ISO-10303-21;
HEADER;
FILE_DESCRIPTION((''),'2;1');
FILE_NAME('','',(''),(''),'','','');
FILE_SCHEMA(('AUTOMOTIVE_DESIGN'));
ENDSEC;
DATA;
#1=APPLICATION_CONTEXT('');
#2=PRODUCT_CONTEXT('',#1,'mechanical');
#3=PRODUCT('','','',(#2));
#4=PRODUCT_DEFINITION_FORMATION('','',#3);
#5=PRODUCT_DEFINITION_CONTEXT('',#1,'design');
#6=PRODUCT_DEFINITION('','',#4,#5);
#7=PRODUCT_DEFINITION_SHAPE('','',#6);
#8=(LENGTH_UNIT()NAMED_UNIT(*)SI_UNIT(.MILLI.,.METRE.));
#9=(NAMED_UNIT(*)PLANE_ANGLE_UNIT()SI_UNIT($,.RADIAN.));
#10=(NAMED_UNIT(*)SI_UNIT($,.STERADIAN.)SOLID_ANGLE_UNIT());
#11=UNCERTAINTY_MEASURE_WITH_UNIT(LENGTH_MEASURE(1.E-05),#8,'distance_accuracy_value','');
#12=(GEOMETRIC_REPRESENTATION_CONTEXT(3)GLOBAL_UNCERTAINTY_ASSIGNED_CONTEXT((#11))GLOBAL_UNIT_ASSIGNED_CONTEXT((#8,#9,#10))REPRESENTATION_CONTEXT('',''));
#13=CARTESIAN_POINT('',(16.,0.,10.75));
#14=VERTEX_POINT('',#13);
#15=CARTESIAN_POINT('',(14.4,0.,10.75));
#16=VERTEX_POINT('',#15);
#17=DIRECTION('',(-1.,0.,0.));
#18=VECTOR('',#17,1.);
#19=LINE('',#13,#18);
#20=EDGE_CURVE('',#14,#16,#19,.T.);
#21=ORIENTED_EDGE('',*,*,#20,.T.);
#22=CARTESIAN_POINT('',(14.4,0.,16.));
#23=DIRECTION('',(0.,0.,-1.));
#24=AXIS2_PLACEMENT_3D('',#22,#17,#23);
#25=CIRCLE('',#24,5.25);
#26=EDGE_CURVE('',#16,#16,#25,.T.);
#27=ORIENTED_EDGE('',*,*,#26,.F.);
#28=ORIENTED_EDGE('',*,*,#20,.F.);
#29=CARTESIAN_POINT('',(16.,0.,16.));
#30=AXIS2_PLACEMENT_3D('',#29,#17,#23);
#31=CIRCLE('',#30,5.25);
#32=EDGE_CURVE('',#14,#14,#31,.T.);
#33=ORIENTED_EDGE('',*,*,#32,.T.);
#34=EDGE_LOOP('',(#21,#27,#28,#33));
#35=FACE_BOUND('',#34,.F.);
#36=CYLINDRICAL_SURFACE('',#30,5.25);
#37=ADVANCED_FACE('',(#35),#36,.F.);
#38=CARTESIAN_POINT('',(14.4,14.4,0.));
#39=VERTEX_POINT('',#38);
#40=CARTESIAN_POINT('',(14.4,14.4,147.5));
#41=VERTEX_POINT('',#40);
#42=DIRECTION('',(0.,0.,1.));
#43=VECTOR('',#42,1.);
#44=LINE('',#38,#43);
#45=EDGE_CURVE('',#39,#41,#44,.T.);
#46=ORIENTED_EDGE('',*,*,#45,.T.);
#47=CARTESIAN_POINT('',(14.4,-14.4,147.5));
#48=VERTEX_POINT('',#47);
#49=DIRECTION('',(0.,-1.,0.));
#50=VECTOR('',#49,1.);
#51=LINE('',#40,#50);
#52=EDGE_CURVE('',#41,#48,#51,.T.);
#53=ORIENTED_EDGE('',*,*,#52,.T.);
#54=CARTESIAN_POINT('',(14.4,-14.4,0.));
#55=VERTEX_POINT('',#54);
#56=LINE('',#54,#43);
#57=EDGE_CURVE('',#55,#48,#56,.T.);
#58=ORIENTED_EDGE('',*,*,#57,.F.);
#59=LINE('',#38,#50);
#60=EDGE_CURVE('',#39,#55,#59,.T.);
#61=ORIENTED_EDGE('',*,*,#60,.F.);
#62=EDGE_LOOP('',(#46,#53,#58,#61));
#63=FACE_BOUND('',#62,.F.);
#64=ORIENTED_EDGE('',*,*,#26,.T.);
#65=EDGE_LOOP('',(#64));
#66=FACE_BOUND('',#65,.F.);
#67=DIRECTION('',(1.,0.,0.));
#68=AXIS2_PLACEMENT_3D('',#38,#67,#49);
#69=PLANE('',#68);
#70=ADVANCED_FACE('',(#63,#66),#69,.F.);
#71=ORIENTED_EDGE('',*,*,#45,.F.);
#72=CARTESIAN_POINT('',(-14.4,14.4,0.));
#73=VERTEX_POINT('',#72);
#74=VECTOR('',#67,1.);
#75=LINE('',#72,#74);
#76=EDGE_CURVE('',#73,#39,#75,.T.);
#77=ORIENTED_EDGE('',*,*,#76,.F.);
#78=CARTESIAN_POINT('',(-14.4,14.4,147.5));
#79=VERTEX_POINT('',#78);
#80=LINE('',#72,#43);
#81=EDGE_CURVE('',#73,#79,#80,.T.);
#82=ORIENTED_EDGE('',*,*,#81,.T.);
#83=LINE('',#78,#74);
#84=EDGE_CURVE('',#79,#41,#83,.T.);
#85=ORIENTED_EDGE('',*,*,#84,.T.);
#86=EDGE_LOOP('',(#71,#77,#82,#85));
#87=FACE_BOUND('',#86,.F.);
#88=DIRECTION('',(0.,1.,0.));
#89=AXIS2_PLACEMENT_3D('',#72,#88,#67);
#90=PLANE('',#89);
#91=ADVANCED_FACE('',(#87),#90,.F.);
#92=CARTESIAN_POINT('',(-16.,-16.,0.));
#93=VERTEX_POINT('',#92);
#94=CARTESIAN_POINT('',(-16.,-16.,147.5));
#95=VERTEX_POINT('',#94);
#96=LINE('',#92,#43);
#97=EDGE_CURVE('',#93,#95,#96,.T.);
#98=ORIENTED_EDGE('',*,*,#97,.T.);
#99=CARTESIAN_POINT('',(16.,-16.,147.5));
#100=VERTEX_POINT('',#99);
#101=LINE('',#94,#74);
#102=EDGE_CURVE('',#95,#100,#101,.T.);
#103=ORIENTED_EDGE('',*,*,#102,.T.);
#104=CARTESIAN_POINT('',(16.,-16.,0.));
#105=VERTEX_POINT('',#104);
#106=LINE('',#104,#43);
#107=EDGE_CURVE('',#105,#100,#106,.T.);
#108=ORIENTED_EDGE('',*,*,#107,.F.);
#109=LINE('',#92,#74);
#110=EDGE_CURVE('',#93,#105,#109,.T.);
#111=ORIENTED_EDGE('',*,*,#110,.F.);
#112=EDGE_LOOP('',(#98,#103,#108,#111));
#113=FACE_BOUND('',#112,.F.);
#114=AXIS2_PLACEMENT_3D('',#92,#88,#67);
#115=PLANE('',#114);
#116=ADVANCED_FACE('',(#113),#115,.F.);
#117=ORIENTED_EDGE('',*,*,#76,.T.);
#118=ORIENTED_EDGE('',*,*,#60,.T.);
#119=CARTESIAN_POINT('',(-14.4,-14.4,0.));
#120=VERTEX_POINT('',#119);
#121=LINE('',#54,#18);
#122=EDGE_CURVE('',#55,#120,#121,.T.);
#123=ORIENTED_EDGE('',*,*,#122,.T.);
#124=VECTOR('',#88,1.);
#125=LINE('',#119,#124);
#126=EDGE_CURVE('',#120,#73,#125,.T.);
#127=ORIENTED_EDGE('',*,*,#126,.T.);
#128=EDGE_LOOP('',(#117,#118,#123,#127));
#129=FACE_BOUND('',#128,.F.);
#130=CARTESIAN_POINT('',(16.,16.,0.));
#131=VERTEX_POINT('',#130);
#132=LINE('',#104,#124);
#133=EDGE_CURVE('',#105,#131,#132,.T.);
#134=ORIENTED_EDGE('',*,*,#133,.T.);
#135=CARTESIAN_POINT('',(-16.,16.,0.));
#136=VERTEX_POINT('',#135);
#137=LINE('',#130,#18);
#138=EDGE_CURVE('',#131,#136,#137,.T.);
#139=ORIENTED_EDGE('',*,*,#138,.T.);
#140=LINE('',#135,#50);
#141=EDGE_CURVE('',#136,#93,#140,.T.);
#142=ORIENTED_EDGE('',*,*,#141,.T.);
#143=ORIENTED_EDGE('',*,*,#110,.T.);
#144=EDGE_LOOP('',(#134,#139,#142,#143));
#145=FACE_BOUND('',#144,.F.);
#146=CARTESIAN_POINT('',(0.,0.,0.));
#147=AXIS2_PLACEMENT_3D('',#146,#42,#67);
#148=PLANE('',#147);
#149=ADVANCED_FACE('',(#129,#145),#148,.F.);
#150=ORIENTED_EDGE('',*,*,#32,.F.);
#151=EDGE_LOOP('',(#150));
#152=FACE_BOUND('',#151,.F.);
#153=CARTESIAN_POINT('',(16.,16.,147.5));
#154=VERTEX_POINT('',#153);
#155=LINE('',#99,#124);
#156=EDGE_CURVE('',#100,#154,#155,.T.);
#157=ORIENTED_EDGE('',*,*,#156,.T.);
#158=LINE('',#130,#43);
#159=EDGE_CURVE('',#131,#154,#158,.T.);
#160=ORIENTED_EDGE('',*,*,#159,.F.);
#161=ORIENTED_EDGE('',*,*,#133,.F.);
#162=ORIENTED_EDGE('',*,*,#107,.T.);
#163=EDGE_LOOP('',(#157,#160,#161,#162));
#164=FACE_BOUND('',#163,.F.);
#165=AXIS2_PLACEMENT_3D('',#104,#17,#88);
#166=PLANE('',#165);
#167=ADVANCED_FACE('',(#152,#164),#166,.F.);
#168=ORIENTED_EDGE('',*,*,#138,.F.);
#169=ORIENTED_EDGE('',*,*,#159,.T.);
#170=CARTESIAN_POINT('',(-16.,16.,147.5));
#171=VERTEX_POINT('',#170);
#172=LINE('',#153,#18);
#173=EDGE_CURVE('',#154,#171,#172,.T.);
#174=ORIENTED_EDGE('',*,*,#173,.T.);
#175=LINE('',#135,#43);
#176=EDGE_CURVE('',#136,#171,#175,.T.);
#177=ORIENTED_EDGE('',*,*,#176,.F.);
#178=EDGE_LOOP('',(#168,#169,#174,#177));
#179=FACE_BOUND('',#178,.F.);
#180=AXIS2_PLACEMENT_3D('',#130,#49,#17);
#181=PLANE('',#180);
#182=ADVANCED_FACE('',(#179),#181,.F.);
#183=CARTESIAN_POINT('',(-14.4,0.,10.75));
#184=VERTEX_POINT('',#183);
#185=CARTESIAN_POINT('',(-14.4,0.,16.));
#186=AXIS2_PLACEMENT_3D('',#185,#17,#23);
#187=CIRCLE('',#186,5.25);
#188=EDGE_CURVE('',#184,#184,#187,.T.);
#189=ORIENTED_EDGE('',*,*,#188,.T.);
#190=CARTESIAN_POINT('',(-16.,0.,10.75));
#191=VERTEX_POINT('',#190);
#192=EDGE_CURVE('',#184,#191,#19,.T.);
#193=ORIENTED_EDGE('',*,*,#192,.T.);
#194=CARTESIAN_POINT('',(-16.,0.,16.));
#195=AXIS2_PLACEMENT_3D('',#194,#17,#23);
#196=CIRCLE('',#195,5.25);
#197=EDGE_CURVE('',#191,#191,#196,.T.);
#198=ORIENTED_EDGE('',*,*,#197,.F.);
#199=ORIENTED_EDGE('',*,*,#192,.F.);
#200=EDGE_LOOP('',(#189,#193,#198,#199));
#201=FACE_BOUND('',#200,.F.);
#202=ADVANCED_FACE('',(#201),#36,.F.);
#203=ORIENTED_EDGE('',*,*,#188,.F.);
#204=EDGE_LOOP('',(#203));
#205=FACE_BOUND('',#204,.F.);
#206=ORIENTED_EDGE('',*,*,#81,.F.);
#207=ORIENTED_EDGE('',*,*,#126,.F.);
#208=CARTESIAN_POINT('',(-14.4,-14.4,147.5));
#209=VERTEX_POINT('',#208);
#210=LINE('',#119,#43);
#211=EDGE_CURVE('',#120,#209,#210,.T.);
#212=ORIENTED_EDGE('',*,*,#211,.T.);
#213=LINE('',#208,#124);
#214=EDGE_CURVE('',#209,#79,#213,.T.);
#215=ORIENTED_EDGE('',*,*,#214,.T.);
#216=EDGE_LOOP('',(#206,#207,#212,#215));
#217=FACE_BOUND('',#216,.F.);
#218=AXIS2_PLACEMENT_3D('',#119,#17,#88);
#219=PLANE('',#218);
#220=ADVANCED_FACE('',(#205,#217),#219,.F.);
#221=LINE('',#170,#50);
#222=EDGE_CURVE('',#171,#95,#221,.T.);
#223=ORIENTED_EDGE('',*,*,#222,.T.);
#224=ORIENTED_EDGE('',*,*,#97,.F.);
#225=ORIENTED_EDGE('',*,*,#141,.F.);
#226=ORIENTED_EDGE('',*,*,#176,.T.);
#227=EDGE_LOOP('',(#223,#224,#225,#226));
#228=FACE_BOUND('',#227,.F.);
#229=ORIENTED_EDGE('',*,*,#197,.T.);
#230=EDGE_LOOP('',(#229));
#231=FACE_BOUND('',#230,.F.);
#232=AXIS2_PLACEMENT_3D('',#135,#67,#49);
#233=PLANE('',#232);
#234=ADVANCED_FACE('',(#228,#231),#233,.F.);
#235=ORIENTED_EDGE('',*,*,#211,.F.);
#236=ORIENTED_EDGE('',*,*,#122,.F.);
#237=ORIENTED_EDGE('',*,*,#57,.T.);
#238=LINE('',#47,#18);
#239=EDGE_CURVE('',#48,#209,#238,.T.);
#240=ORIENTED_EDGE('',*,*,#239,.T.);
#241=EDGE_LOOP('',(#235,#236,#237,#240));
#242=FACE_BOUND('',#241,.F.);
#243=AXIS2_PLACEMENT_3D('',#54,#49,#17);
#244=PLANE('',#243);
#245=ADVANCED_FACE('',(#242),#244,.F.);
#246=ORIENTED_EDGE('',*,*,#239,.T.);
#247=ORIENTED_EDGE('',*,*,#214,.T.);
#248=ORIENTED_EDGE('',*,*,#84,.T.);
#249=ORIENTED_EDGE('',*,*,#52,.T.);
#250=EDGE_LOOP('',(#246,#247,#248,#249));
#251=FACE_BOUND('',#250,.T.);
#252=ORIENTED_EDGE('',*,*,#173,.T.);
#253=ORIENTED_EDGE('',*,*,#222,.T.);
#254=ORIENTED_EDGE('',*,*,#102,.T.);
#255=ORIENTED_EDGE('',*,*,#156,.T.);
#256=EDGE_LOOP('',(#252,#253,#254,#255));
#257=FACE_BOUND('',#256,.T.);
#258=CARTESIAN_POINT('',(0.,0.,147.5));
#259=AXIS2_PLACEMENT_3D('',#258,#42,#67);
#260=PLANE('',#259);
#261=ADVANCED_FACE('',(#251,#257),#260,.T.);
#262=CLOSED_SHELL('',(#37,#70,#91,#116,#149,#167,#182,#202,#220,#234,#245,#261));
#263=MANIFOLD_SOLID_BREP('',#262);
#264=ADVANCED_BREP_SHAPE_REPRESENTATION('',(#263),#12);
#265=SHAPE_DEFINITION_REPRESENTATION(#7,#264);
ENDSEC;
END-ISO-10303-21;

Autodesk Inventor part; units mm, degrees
ref_plane "YZ Plane" through (0, 0, 0) normal (1, 0, 0) x (0, 1, 0)
ref_plane "XZ Plane" through (0, 0, 0) normal (0, 1, 0) x (-1, 0, 0)
ref_plane "XY Plane" through (0, 0, 0) normal (0, 0, 1) x (1, 0, 0)
sketch "スケッチ1" plane through (0, 0, 0) normal (0, 0, 1) x (1, 0, 0)
  line L0 (-16, -16) -> (16, -16)
  line L1 (16, -16) -> (16, 16)
  line L2 (16, 16) -> (-16, 16)
  line L3 (-16, 16) -> (-16, -16)
  line L4 (-16, -16) -> (16, 16) construction
  line L5 (16, -16) -> (-16, 16) construction
  line L6 (-14.4, 14.4) -> (14.4, 14.4)
  line L7 (14.4, 14.4) -> (14.4, -14.4)
  line L8 (14.4, -14.4) -> (-14.4, -14.4)
  line L9 (-14.4, -14.4) -> (-14.4, 14.4)
  point P0 (0, 0)
  dimension "d0" = 32
  dimension "d1" = 32
  dimension "d2" = 1.6
extrude "押し出し1" add sketch "スケッチ1" along normal blind 147.5
sketch "スケッチ2" plane through (16, -16, 147.5) normal (1, 0, 0) x (0, 0, -1)
  line L0 (0, 0) -> (0, 32) projected
  point P0 (147.5, 16)
  point P1 (131.5, 16)
  dimension "d8" = 131.5
hole "穴1" at (16, 0, 16) direction (-1, 0, 0) diameter 10.5 end through all
properties part number "PipeB"
